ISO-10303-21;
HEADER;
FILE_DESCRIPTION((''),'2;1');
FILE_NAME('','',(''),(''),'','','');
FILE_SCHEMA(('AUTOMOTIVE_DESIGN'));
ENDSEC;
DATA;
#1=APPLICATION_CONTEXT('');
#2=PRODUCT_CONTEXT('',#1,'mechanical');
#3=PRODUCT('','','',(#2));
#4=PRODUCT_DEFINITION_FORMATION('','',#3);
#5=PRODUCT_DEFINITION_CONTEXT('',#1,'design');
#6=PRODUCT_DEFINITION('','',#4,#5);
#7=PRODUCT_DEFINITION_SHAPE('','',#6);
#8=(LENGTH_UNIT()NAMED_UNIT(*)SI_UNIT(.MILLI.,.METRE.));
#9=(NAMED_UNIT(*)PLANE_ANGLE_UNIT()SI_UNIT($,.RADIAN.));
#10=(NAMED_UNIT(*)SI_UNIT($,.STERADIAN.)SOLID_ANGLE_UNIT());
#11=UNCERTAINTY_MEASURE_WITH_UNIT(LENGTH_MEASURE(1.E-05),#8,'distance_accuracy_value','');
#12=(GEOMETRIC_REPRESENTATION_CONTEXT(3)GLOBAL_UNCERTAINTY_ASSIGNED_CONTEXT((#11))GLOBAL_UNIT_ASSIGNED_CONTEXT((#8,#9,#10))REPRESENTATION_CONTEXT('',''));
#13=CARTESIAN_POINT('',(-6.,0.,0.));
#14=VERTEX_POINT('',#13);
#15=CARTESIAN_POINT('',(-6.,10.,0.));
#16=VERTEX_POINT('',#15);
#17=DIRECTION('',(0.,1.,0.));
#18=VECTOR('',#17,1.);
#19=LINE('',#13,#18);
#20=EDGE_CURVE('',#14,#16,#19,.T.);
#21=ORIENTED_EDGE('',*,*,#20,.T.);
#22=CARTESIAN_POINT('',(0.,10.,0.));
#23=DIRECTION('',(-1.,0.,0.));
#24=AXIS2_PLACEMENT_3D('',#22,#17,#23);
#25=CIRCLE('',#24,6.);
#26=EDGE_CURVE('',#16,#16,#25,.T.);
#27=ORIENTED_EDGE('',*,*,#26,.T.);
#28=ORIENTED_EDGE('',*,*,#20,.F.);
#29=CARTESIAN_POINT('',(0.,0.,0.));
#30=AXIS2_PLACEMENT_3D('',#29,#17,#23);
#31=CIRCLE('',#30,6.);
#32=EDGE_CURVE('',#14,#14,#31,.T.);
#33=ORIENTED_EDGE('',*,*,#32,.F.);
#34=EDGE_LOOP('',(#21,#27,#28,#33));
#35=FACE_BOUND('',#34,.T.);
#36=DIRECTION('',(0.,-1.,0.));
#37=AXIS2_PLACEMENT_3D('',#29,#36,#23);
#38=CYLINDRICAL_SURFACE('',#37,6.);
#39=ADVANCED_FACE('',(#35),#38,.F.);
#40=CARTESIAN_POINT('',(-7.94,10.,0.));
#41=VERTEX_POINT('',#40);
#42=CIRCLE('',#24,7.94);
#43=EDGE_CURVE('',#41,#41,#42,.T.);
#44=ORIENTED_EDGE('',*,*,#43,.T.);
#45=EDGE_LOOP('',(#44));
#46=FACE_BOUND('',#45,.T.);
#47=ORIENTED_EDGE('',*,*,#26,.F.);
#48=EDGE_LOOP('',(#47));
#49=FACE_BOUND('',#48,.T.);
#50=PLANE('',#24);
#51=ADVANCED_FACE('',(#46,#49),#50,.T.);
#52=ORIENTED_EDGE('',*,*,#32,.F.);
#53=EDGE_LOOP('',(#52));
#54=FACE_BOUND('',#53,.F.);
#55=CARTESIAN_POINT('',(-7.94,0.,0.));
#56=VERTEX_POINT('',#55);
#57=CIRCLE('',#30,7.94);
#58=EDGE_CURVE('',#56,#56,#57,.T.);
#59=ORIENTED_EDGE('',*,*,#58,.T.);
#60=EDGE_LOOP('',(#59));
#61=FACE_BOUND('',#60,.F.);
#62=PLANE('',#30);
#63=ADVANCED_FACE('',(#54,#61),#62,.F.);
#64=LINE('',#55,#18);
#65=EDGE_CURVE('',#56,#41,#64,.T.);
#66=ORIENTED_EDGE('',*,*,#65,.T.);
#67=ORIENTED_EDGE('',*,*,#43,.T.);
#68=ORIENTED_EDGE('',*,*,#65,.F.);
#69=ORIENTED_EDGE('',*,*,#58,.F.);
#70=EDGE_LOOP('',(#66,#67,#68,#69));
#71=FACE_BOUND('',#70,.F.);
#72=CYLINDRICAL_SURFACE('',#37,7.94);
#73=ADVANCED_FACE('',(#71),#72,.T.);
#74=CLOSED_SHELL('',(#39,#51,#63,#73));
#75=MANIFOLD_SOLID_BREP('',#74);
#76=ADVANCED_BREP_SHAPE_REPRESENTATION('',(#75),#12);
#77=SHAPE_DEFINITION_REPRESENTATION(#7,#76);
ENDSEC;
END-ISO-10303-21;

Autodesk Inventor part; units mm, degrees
ref_plane "YZ Plane" through (0, 0, 0) normal (1, 0, 0) x (0, 1, 0)
ref_plane "XZ Plane" through (0, 0, 0) normal (0, 1, 0) x (-1, 0, 0)
ref_plane "XY Plane" through (0, 0, 0) normal (0, 0, 1) x (1, 0, 0)
sketch "Sketch1" plane through (0, 0, 0) normal (0, 1, 0) x (-1, 0, 0)
  circle A0 centre (0, 0) radius 7.94
  circle A1 centre (0, 0) radius 6
  dimension "d0" = 15.88
  dimension "d1" = 12
extrude "Extrusion1" add sketch "Sketch1" along normal blind 10
thread "Thread2" size "5/8-32 UN" class "2A" standard "ANSI Unified Screw Threads" length 10
thread "Thread3" size "M12x0.5" class "6H" standard "ANSI Metric M Profile" length 10
properties part number "DS_lens_mount_adapter"
